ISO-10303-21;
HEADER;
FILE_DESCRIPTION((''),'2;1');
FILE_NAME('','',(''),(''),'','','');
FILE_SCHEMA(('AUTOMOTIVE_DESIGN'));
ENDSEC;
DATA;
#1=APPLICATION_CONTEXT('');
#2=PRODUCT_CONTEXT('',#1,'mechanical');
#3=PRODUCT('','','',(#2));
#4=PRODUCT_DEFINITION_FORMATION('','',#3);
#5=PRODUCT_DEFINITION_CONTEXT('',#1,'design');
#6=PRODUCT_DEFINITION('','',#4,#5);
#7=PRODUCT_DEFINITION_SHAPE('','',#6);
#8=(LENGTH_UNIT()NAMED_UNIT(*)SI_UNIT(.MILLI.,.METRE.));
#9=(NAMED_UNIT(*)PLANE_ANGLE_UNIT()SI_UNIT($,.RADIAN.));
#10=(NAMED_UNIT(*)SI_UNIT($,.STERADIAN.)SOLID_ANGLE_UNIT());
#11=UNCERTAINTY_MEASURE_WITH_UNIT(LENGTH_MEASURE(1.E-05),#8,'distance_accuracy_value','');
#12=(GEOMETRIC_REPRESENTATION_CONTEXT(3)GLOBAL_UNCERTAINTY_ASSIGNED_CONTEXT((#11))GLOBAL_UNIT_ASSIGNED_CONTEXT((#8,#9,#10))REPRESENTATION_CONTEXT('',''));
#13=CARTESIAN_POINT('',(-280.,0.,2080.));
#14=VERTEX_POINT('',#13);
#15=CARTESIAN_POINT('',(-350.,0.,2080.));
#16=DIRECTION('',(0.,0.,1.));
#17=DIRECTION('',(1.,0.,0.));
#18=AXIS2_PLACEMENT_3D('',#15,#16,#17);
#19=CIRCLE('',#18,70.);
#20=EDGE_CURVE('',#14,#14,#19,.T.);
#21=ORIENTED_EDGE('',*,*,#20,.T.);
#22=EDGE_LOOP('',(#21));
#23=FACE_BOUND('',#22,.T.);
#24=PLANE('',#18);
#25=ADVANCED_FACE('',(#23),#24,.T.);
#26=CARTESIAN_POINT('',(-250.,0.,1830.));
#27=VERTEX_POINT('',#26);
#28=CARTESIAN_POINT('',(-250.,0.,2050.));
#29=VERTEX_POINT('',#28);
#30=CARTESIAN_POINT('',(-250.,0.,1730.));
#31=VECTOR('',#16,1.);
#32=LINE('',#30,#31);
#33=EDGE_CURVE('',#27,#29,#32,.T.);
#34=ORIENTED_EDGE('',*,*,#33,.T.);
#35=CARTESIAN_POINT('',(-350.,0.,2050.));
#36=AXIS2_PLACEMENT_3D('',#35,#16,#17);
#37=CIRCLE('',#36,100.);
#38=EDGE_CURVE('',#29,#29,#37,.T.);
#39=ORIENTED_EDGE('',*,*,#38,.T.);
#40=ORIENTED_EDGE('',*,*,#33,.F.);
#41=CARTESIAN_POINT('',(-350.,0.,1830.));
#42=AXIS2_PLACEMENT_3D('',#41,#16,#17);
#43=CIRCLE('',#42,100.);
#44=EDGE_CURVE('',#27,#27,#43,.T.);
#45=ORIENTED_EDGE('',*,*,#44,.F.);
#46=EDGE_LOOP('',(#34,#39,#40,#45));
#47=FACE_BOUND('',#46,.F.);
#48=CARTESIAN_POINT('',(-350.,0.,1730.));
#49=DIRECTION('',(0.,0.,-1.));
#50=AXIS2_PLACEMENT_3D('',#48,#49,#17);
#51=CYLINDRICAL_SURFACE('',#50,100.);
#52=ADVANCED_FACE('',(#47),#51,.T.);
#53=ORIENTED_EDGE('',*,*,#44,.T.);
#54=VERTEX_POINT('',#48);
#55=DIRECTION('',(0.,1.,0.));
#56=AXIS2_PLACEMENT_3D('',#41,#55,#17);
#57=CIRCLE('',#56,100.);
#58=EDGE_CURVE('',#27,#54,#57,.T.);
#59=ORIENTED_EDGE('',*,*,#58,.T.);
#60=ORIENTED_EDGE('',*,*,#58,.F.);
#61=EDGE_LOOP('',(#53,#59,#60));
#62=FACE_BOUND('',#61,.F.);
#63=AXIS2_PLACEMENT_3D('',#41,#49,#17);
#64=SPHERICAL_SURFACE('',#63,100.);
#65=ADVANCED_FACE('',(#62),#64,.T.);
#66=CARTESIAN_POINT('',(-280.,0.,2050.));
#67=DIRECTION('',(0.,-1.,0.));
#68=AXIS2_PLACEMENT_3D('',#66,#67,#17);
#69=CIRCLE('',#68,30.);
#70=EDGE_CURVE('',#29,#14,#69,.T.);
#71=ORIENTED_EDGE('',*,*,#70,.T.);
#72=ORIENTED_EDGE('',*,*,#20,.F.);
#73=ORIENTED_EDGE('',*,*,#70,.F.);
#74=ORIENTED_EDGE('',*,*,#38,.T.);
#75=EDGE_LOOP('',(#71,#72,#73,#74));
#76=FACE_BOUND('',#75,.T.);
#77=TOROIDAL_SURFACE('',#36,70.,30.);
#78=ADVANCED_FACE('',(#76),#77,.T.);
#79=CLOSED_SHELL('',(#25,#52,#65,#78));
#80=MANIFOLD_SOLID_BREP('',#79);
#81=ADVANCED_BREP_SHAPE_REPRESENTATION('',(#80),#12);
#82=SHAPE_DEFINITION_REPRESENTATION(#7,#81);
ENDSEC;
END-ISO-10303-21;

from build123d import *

# Parameters (mm, degrees)
CYLINDER005_R     = 100
CYLINDER005_DEPTH = 350
FILLET010_1_R     = 100
FILLET010_2_R     = 30


with BuildPart() as part:
    # Cylinder005 → Cylinder005 (new body)
    with BuildSketch(Plane(origin=(-350, 0, 1730), x_dir=(1, 0, 0), z_dir=(0, 0, 1))):
        Circle(CYLINDER005_R)
    extrude(amount=CYLINDER005_DEPTH)

    # Fillet010 1
    fillet010_1_edges = [part.edges().sort_by_distance(p)[0] for p in [
        (-450, 0, 1730),
    ]]
    fillet(fillet010_1_edges, radius=FILLET010_1_R)

    # Fillet010 2
    fillet010_2_edges = [part.edges().sort_by_distance(p)[0] for p in [
        (-450, 0, 2080),
    ]]
    fillet(fillet010_2_edges, radius=FILLET010_2_R)


solid = part.part
